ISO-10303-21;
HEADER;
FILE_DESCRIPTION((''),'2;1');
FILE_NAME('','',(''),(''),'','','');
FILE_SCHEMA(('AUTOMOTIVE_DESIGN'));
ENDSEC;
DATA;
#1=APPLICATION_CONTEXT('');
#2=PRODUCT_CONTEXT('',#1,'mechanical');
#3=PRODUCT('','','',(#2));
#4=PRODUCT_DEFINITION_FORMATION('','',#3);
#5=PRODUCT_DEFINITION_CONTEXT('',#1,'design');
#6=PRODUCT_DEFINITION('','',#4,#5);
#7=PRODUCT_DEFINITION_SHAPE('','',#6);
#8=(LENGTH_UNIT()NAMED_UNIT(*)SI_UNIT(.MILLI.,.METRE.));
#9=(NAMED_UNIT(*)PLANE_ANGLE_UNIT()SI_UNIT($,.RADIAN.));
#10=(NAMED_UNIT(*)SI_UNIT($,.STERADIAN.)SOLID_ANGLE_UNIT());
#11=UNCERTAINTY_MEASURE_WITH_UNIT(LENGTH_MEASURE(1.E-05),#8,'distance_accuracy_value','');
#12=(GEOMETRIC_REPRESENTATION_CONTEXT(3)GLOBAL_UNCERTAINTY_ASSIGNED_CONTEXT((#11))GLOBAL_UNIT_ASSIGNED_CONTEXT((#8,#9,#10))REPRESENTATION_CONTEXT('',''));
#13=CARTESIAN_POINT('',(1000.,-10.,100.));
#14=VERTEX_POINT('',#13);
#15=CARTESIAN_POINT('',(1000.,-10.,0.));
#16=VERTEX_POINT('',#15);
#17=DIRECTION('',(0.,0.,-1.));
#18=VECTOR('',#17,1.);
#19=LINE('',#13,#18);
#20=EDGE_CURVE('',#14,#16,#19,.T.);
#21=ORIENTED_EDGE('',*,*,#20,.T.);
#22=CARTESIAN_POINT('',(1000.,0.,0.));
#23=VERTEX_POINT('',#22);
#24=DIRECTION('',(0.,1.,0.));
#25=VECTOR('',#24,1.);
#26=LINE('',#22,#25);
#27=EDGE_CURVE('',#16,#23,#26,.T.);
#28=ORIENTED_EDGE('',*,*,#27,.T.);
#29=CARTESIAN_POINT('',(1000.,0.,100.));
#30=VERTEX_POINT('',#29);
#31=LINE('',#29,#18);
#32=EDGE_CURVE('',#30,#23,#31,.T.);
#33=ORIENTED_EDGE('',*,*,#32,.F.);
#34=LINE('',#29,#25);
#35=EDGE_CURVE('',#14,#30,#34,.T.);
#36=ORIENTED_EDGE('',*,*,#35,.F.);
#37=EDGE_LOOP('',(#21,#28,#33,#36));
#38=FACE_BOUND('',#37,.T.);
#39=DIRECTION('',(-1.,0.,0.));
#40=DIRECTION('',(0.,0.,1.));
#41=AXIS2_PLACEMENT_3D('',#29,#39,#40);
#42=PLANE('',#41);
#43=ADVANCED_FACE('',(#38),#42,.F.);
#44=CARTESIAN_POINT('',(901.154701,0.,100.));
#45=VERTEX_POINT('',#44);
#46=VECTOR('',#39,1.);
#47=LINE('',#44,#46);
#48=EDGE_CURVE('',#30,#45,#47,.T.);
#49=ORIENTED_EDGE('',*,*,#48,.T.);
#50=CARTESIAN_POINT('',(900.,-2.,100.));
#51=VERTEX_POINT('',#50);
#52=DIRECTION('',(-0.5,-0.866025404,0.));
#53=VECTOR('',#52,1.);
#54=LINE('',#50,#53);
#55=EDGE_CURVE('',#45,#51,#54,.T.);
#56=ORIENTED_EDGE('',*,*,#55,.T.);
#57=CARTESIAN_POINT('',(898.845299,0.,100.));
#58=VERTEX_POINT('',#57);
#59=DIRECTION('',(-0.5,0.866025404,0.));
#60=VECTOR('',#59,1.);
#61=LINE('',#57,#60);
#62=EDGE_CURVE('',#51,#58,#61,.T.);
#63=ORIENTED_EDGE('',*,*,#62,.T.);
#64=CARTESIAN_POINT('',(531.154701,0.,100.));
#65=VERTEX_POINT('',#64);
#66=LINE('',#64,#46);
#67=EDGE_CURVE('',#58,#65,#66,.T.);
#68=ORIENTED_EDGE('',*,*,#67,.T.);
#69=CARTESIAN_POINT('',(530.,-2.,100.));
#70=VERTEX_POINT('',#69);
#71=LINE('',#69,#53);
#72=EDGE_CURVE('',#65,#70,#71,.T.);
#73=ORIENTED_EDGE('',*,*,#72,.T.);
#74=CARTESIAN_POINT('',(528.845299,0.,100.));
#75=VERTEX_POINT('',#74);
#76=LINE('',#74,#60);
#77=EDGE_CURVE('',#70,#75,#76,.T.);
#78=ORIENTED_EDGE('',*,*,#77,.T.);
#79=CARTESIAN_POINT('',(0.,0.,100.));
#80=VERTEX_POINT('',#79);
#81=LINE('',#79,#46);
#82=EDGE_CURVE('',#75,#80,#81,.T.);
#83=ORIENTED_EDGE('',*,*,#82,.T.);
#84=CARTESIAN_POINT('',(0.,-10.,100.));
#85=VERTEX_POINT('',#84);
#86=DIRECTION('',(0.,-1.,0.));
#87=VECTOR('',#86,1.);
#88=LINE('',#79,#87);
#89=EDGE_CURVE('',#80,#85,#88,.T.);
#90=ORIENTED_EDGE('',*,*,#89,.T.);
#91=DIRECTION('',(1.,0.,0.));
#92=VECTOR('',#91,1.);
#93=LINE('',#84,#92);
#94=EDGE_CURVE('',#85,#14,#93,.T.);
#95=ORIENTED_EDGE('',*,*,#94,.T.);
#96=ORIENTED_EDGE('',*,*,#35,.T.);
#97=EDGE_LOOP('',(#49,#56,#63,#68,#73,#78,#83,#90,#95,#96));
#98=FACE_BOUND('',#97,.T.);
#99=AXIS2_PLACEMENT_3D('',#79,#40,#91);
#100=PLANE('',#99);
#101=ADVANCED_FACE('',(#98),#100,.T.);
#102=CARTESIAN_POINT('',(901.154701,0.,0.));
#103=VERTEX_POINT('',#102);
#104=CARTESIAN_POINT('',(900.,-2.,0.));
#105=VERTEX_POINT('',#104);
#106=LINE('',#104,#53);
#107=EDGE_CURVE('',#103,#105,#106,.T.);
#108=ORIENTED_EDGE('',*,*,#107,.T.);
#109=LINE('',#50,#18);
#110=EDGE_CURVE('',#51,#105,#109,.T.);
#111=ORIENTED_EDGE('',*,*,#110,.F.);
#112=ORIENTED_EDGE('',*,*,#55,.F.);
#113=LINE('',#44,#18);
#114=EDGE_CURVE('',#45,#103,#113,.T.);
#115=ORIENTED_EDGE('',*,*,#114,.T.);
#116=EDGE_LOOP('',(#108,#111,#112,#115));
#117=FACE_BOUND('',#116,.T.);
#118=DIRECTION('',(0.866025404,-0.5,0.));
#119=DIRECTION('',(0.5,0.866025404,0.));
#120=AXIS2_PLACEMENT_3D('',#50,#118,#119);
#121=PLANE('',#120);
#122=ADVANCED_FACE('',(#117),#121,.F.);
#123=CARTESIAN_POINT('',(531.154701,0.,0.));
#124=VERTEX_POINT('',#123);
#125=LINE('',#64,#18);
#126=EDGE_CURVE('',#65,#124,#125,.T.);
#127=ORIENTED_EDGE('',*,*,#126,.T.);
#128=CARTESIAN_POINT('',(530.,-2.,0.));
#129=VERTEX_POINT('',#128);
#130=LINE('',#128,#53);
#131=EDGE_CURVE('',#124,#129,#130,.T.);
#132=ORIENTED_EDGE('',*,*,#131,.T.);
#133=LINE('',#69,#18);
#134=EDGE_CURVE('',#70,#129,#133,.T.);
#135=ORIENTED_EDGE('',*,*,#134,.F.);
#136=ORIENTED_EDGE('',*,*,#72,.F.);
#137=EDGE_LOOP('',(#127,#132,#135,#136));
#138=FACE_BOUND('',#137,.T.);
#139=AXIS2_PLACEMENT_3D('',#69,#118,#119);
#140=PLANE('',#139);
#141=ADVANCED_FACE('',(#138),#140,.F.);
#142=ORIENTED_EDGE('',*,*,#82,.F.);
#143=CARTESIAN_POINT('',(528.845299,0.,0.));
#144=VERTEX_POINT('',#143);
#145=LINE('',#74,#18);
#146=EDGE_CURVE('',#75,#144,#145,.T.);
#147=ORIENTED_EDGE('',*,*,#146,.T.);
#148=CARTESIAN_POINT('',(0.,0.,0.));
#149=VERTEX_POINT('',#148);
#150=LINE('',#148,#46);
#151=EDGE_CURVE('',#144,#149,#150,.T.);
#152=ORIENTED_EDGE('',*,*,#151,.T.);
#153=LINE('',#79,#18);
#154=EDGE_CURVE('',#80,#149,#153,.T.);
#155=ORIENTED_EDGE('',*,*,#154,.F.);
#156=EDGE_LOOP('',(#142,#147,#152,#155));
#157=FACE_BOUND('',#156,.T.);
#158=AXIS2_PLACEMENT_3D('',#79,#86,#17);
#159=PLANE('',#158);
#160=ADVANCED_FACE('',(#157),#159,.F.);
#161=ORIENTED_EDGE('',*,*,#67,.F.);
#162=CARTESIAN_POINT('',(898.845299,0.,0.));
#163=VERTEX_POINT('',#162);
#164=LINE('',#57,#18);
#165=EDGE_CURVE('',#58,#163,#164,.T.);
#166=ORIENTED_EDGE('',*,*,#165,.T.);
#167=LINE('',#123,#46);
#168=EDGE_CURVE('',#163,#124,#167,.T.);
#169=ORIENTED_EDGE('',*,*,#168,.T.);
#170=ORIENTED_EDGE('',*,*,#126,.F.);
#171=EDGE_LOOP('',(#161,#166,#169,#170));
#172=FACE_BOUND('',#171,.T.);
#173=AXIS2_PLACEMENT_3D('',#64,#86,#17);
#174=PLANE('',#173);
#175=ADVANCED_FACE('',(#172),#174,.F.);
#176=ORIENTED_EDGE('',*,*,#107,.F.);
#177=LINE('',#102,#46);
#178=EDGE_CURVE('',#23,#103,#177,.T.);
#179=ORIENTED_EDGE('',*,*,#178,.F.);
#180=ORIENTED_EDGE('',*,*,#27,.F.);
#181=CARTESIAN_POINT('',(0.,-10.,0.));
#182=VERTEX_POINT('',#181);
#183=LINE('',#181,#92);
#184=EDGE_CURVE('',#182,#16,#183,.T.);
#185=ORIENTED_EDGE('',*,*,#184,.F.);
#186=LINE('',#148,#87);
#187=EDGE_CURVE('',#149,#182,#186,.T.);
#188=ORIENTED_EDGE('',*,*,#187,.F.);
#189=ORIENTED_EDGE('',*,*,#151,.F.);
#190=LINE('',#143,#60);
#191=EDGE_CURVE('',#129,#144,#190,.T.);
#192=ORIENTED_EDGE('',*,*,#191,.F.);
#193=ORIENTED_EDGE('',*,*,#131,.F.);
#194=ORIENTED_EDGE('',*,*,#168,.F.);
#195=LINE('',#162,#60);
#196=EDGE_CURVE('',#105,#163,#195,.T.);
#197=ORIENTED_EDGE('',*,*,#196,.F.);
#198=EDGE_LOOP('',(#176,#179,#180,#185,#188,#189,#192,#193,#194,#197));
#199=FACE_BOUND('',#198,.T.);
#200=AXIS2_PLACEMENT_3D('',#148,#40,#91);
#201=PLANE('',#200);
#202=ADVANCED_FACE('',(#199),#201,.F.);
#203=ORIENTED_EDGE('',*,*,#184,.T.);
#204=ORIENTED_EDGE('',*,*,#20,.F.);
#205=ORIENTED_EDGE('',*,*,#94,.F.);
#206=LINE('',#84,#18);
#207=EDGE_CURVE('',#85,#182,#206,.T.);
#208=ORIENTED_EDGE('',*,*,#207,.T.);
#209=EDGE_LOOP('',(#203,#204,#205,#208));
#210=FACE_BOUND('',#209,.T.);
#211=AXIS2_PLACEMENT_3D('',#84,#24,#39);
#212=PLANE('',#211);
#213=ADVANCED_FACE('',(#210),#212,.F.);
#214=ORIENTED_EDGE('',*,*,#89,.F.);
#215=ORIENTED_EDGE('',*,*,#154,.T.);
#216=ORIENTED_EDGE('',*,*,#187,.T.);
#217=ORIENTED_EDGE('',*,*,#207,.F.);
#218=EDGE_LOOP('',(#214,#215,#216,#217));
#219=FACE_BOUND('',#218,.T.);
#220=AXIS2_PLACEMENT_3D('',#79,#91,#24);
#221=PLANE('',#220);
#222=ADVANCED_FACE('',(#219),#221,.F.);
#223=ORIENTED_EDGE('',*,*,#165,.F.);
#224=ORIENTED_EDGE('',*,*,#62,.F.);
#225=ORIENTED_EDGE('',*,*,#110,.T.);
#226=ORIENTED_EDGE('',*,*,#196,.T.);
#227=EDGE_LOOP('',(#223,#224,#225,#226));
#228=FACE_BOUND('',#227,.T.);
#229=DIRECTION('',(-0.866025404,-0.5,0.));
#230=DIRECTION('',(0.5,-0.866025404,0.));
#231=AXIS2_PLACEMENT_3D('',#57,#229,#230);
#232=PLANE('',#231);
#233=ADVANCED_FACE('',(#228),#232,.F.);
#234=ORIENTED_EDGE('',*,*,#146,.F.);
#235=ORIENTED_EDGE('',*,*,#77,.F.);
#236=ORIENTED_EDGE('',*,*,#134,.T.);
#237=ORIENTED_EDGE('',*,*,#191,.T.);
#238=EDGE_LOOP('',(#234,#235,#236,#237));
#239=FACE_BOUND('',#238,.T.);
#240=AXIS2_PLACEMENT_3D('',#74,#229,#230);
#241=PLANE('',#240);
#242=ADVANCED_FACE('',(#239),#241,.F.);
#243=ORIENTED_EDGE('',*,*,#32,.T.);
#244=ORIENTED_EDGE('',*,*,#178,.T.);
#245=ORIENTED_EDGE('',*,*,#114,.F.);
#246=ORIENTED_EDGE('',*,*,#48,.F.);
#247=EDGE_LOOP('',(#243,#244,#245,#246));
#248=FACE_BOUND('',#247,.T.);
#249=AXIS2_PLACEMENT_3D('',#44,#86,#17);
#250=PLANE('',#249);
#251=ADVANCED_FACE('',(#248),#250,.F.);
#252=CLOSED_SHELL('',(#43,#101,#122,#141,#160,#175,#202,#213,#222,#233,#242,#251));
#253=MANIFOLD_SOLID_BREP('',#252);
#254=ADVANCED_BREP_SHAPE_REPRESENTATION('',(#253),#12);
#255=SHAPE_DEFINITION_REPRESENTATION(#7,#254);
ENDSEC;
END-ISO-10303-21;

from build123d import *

# Parameters (mm, degrees)
BOSS_EXTRUDE1_DEPTH = 100


with BuildPart() as part:
    # Sketch1 → Boss-Extrude1 (new body)
    with BuildSketch(Plane.XY):
        Polygon((0, 0), (528.845299462, 0), (530, -2), (531.154700538, 0), (898.845299462, 0), (900, -2), (901.154700538, 0), (1000, 0), (1000, -10), (0, -10), align=None)
    extrude(amount=BOSS_EXTRUDE1_DEPTH)


solid = part.part
